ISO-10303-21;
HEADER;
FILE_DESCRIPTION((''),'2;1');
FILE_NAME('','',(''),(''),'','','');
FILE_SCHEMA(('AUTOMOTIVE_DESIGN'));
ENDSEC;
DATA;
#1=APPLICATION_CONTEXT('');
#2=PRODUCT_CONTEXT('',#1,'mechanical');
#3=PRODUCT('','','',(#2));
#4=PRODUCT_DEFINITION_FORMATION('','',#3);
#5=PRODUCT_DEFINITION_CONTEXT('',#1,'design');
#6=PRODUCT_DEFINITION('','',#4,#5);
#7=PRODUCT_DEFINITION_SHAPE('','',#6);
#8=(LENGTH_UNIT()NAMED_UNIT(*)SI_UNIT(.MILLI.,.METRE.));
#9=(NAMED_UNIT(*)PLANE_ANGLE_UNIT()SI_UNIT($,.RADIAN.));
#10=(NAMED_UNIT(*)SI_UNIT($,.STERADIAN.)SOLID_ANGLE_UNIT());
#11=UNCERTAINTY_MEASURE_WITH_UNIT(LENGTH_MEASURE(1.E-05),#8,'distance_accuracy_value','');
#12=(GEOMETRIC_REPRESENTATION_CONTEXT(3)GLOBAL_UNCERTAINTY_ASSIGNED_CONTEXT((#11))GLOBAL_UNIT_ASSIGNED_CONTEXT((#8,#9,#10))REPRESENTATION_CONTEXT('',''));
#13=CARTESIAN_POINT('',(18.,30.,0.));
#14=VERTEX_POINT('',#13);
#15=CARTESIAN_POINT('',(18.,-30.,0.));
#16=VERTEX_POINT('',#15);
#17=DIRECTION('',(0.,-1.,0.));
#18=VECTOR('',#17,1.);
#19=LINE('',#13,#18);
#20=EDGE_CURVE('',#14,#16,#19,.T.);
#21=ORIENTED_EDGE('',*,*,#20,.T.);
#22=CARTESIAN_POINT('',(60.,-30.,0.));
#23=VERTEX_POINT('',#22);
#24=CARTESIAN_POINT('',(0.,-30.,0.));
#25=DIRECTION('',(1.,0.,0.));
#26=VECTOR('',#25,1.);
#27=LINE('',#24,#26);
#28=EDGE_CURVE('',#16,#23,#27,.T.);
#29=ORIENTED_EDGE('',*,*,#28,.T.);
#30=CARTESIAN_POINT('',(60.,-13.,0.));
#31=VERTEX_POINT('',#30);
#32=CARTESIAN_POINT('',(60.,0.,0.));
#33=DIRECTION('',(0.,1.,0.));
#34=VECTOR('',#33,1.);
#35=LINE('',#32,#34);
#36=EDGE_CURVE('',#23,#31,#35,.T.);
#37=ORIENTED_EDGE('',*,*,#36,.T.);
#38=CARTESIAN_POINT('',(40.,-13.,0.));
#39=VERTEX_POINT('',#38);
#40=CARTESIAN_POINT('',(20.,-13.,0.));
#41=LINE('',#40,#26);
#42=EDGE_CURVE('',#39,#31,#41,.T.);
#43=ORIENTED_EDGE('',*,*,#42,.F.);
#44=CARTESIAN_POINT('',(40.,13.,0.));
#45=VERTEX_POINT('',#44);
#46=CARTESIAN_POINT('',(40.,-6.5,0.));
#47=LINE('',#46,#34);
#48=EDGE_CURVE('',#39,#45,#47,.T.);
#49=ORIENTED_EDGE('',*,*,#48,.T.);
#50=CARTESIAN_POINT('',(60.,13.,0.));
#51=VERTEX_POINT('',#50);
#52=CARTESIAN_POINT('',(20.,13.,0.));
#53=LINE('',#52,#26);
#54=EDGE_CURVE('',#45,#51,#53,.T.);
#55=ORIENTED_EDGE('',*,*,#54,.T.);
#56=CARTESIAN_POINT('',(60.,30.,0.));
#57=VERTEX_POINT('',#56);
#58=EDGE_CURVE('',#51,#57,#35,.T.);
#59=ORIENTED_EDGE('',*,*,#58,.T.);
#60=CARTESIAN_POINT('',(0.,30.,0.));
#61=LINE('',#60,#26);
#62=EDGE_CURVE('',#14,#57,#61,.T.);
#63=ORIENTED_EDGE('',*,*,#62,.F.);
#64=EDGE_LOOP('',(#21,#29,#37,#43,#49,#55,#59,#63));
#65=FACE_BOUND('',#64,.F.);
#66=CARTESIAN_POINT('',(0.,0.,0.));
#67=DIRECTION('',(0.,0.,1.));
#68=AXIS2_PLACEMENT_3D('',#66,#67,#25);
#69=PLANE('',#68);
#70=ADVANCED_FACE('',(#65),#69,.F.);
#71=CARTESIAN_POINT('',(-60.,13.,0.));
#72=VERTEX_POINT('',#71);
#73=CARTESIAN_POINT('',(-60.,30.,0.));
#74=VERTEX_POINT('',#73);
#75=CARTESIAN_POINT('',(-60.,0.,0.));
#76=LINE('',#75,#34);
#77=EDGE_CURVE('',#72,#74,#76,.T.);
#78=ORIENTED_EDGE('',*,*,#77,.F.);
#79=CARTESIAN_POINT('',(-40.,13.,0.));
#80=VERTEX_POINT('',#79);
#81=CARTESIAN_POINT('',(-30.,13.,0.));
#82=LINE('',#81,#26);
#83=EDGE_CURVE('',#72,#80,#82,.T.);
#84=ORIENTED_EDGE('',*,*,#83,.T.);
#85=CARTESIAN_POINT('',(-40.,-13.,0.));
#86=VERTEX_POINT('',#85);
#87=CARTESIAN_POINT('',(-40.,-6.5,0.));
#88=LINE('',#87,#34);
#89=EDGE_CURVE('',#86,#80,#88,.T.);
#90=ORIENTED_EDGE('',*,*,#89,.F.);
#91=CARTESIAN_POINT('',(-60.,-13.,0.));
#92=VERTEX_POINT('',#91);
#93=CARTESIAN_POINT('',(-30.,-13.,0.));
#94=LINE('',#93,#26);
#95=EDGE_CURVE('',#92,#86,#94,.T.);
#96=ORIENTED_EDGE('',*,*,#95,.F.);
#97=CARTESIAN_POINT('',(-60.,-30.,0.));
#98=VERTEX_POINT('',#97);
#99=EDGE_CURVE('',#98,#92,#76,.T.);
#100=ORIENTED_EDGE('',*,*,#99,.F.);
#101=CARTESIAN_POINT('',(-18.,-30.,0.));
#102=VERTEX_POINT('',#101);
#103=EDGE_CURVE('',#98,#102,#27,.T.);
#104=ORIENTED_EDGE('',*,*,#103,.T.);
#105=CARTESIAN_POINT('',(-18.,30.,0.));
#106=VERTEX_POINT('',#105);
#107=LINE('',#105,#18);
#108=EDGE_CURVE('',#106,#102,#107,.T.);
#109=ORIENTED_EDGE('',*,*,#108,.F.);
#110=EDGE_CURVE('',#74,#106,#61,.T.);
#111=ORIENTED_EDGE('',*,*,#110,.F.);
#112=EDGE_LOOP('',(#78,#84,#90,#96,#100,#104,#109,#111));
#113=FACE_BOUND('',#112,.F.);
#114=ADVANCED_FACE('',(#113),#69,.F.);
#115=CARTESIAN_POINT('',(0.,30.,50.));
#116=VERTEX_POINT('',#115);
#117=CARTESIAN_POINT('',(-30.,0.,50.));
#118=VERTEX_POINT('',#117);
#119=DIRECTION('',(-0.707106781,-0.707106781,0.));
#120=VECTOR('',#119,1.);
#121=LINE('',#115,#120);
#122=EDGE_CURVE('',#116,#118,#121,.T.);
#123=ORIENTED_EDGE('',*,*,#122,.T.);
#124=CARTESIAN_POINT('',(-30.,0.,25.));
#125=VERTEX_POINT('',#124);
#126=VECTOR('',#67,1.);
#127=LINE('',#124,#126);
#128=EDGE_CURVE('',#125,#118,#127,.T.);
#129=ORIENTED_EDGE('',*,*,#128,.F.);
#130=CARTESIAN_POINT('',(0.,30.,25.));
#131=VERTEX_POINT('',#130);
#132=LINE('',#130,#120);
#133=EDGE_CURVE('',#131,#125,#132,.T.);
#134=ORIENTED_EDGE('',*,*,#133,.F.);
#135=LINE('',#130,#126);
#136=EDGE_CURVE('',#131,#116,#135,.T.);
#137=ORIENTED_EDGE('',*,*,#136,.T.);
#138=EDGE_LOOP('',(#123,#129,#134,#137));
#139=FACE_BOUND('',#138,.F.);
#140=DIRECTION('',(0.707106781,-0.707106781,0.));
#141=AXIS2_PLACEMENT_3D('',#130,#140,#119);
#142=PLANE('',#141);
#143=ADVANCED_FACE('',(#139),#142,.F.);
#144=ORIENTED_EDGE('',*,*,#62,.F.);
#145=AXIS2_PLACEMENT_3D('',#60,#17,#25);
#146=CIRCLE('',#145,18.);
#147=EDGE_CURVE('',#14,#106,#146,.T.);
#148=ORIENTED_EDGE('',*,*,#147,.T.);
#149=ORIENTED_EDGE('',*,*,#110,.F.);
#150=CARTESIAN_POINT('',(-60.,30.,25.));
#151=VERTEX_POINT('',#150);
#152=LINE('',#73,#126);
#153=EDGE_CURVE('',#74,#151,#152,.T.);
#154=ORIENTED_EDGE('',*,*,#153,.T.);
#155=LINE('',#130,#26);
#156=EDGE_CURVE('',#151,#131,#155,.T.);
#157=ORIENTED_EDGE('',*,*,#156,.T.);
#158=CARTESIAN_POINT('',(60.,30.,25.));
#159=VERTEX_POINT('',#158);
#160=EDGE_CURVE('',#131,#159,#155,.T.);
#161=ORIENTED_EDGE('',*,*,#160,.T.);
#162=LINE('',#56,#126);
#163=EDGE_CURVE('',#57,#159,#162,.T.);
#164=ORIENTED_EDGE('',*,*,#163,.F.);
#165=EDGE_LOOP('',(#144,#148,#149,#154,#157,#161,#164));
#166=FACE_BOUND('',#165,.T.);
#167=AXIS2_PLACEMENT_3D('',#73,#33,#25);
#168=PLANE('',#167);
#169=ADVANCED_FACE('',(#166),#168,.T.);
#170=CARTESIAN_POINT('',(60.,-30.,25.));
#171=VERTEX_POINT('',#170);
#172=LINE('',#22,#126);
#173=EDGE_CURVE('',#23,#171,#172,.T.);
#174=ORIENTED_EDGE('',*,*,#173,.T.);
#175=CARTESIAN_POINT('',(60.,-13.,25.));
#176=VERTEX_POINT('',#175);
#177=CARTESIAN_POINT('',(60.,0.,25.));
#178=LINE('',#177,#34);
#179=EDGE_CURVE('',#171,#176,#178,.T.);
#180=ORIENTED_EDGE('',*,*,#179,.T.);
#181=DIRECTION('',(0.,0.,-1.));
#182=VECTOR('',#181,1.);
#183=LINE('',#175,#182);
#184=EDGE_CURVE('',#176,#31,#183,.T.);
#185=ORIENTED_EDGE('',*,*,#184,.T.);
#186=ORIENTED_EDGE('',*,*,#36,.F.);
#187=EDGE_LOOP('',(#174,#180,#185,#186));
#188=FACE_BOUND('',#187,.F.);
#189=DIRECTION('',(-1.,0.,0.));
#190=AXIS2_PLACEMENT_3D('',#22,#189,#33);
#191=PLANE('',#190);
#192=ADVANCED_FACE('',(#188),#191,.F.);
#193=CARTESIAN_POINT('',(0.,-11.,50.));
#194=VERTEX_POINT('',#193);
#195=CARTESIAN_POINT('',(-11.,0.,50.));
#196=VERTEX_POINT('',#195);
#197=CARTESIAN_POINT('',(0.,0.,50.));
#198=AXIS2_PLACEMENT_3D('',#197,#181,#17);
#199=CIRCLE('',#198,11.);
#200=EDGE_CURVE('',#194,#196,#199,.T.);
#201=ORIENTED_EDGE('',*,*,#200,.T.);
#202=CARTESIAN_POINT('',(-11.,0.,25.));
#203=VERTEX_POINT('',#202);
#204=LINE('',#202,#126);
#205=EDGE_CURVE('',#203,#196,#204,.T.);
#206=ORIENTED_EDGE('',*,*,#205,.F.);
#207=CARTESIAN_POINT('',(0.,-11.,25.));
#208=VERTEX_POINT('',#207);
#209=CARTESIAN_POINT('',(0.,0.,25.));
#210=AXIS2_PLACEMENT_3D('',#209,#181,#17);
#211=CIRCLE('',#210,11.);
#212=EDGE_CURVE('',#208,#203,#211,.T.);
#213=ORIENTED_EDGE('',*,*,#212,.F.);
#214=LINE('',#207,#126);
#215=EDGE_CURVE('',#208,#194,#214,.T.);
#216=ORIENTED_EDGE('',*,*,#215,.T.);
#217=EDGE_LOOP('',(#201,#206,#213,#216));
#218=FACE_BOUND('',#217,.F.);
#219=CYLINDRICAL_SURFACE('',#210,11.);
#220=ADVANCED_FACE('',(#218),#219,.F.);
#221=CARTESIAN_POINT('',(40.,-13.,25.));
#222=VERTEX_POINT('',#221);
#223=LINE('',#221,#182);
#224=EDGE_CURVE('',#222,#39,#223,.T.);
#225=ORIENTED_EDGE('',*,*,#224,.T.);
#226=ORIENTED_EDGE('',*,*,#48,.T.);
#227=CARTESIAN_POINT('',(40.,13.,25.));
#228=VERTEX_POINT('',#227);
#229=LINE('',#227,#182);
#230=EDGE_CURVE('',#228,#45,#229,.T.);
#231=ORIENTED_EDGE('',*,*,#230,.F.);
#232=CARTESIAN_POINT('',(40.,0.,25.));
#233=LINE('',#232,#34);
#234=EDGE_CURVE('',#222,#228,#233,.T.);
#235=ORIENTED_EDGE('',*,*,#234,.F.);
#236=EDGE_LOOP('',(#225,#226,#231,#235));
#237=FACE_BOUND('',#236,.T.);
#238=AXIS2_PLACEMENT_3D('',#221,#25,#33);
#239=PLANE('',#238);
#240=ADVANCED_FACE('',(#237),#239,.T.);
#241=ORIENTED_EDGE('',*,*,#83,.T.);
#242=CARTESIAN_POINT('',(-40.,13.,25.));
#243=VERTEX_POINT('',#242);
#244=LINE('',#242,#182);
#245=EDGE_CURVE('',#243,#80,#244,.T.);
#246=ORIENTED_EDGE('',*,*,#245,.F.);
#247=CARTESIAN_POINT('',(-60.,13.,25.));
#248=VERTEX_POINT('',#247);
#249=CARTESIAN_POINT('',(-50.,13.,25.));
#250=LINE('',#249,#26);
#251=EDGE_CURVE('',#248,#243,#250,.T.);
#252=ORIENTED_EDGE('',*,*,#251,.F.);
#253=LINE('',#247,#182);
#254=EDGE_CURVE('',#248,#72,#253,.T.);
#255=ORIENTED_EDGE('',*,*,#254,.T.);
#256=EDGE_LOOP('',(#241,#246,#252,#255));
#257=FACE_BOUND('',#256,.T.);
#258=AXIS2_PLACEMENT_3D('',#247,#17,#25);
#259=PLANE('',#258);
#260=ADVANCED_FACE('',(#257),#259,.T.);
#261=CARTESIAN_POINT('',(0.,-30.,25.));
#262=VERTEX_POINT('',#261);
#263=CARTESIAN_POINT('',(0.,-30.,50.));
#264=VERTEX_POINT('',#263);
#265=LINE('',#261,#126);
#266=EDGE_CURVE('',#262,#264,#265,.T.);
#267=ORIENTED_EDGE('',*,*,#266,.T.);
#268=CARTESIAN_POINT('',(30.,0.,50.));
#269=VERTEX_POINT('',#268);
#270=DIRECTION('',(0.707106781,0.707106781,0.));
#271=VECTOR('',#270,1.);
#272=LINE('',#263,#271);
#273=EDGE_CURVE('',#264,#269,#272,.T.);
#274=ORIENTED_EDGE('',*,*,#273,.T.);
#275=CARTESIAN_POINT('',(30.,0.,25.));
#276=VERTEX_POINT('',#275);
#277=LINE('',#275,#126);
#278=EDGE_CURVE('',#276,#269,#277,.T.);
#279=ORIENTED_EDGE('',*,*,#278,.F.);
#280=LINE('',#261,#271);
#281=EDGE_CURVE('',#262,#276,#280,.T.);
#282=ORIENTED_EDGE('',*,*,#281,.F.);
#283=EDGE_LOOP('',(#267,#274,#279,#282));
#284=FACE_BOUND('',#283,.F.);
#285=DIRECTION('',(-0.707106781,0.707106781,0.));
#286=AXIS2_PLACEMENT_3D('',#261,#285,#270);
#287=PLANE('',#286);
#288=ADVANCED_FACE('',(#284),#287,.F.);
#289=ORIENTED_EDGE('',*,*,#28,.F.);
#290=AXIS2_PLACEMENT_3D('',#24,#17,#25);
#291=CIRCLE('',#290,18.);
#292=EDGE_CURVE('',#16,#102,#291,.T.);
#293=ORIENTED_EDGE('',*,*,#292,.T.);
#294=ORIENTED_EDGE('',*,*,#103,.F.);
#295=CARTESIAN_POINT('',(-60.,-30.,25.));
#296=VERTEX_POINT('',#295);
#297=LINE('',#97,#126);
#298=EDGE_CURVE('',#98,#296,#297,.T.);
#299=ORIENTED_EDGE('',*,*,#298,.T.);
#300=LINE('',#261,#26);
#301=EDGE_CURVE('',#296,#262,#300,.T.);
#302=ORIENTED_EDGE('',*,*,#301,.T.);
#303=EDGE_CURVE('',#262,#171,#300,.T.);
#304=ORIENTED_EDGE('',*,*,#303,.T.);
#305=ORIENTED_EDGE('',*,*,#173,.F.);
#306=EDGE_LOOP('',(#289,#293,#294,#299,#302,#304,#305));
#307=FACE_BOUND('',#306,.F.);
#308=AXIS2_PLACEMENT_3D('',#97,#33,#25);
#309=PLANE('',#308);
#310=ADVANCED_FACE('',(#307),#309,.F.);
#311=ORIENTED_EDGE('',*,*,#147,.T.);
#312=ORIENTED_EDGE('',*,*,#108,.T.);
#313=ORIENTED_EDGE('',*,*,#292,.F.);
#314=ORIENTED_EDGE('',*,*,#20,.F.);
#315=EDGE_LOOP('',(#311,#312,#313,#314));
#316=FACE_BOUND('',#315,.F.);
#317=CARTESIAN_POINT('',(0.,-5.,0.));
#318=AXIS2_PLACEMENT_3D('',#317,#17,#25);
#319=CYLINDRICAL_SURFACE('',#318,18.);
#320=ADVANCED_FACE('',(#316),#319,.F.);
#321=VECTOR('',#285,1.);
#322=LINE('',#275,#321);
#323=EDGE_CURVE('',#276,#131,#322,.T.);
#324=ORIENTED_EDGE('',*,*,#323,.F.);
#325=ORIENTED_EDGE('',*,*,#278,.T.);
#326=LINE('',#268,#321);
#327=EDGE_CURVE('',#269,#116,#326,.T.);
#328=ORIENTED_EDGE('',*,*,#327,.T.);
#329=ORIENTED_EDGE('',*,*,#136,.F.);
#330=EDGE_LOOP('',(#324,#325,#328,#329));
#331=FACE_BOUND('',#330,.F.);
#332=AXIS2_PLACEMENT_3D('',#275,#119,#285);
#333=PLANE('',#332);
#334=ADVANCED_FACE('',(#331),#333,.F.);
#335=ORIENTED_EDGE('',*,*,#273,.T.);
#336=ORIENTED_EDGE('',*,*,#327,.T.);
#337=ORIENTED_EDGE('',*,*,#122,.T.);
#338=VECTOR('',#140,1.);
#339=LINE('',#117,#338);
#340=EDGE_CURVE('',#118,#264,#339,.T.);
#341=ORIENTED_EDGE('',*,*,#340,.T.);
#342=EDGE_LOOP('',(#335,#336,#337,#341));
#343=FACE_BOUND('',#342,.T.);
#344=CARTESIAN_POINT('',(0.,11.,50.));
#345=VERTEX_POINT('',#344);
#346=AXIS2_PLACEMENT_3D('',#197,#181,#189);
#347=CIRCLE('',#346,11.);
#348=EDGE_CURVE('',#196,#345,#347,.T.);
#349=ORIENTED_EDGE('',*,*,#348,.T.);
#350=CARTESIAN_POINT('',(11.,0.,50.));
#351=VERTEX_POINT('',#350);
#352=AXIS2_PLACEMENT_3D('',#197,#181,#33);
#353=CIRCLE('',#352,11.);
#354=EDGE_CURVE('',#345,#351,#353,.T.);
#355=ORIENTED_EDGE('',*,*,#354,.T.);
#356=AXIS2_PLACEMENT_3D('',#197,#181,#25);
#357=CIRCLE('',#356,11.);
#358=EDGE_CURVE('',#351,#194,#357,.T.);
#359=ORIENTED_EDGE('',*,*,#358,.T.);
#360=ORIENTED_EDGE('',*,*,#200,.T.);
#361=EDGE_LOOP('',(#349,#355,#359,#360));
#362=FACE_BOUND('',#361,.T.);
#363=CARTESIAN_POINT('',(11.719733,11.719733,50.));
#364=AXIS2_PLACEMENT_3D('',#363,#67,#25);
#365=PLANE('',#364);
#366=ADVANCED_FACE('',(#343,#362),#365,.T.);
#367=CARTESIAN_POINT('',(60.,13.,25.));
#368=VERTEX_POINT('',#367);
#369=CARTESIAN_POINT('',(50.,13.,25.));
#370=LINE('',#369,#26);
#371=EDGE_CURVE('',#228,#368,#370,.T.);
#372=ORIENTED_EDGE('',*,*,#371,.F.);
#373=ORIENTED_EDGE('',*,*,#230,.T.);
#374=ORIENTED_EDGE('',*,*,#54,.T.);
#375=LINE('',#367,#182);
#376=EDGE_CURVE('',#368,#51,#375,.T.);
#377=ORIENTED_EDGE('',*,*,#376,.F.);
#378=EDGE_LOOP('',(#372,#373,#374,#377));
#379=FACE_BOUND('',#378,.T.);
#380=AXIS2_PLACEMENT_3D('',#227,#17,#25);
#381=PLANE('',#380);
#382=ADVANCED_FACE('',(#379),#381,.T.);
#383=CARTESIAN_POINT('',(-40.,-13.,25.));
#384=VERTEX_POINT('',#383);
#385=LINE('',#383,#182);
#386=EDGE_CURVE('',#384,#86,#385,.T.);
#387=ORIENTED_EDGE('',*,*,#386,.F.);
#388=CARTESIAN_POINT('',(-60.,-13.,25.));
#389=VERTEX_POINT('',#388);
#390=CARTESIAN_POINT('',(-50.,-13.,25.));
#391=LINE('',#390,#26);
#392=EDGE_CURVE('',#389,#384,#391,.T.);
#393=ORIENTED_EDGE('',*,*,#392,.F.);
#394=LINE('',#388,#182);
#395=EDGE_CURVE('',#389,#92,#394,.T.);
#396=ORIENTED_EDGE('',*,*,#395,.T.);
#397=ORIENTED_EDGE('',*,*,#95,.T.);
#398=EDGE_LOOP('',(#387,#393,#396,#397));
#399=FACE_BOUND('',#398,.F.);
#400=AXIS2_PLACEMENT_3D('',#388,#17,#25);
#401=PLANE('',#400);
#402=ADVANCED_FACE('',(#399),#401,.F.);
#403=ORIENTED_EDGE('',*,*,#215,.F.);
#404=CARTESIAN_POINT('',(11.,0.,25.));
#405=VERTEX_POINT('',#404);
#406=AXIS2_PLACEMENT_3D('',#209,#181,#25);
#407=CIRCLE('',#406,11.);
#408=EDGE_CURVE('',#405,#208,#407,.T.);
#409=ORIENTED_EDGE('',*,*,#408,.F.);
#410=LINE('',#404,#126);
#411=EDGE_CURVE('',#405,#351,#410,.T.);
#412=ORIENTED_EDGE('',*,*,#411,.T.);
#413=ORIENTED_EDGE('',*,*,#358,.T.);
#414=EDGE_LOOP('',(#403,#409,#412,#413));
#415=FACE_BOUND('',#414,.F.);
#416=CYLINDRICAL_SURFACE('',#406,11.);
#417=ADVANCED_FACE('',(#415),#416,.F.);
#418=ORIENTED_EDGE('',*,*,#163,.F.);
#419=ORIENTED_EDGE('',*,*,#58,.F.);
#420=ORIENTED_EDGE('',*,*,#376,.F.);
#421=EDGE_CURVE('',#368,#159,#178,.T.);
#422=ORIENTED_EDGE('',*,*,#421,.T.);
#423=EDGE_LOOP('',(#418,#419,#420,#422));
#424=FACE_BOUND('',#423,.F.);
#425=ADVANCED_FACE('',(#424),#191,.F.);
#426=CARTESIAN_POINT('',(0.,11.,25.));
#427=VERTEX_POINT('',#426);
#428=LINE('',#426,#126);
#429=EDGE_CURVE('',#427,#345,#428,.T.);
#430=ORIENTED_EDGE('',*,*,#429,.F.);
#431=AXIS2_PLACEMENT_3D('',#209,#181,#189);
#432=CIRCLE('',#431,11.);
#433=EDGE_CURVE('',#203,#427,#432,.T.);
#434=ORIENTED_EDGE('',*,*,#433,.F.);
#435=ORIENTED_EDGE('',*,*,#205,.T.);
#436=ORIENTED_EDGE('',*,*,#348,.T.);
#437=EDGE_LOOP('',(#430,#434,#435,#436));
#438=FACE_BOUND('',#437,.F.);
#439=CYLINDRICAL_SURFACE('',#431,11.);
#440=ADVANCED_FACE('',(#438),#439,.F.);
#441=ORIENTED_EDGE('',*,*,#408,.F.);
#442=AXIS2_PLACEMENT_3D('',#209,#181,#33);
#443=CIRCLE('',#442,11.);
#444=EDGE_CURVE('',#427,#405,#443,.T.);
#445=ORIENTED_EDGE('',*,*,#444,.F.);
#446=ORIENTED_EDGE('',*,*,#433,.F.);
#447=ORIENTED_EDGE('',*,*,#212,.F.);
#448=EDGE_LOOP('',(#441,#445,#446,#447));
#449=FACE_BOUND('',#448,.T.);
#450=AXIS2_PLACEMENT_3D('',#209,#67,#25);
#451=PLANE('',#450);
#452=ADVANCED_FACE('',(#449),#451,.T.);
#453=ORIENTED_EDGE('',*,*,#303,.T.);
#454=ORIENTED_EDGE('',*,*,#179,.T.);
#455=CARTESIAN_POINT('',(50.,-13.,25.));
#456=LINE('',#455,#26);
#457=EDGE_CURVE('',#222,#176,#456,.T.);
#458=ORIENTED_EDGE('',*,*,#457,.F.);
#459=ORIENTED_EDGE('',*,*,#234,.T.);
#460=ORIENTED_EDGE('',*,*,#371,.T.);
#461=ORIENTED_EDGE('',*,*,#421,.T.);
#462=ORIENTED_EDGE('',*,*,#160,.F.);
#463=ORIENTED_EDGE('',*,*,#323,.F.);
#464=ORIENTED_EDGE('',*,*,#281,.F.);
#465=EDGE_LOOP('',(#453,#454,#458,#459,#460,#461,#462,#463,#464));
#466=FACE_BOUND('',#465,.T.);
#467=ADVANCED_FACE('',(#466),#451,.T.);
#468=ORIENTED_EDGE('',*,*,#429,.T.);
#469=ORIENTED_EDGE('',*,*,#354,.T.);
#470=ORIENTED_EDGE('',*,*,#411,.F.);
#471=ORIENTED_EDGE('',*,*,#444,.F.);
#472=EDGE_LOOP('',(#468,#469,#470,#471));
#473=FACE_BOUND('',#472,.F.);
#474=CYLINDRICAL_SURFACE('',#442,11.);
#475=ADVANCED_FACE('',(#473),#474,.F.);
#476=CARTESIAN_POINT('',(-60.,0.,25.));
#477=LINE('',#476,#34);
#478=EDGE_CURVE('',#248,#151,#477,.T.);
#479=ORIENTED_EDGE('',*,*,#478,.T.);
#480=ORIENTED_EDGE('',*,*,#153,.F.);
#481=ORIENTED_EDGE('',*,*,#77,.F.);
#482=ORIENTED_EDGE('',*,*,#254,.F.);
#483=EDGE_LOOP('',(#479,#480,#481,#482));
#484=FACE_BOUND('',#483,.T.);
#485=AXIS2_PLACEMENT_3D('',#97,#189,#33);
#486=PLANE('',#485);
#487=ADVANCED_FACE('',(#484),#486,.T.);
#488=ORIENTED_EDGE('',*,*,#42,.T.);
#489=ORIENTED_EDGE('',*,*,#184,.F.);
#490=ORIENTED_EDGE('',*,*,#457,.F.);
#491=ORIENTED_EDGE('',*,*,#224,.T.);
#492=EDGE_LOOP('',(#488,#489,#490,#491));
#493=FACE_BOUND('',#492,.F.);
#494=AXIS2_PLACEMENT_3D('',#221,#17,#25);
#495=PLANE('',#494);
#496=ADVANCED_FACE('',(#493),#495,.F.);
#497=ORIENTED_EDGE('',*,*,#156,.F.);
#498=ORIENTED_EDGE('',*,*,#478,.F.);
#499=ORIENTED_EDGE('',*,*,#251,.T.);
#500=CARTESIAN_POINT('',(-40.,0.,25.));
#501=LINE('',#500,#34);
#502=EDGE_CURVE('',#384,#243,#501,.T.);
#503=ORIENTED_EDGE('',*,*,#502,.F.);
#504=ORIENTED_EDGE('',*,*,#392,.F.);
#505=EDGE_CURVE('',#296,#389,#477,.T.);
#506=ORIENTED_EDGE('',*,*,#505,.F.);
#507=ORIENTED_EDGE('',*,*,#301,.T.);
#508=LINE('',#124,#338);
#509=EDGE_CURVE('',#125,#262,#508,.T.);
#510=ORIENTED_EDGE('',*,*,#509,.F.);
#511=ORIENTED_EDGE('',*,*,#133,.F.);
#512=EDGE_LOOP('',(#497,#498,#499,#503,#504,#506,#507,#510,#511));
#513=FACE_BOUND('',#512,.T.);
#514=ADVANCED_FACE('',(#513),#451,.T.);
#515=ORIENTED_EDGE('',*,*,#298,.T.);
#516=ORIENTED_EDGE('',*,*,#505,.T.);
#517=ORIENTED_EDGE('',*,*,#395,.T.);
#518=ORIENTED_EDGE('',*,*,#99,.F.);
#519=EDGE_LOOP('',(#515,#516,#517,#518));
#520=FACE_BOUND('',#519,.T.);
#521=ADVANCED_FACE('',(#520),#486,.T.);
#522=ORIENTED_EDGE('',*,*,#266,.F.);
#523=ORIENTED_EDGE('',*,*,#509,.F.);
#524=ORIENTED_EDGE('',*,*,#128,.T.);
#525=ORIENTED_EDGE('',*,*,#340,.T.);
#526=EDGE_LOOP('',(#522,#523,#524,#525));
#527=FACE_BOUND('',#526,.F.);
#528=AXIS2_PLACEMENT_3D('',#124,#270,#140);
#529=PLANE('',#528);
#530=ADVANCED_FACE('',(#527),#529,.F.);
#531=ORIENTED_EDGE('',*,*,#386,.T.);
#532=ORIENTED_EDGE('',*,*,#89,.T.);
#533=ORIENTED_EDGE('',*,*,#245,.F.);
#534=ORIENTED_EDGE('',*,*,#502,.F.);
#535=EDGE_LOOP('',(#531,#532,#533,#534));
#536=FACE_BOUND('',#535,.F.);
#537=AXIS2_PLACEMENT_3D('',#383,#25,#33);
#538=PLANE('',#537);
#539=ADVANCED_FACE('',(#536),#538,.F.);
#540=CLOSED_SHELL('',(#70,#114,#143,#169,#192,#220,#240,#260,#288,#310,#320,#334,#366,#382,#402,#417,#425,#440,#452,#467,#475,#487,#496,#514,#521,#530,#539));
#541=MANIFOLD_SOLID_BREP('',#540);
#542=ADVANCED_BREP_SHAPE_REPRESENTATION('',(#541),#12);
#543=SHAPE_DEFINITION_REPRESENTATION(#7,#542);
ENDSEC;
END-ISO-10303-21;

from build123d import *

# Parameters (mm, degrees)
F0_W      = 120
F0_H      = 60
F1_DEPTH  = 25
F2_W      = 20
F2_H      = 26
F3_DEPTH  = 25.001
F4_W      = 20
F4_H      = 26
F5_DEPTH  = 25.001
F7_DEPTH  = 25
F8_DEPTH  = 35.001
F10_DEPTH = 25


with BuildPart() as f1:
    # F0 (on Top) → F1 (new body)
    with BuildSketch(Plane.XY):
        Rectangle(F0_W, F0_H)
    extrude(amount=F1_DEPTH)

    # F2 (on face) → F3 (cut, through all)
    with BuildSketch(Plane.XY.offset(25)):
        with Locations((50, 0)):
            Rectangle(F2_W, F2_H)
    extrude(amount=-F3_DEPTH, mode=Mode.SUBTRACT)

    # F4 (on face) → F5 (cut, through all)
    with BuildSketch(Plane.XY.offset(25)):
        with Locations((-50, 0)):
            Rectangle(F4_W, F4_H)
    extrude(amount=-F5_DEPTH, mode=Mode.SUBTRACT)

    # F6 (on face) → F7 (cut)
    with BuildSketch(Plane.XZ.offset(30)):
        with BuildLine():
            Line((-18, 0), (18, 0))
            ThreePointArc((18, 0), (0, 18), (-18, 0))
        make_face()
    extrude(amount=-F7_DEPTH, mode=Mode.SUBTRACT)

    # F8 (cut, through all): a face of the model
    f8_faces = [f1.faces().sort_by_distance(p)[0] for p in [
        (0, -5, 7.6394372684),
    ]]
    extrude(f8_faces, amount=-F8_DEPTH, mode=Mode.SUBTRACT)

    # F9 (on face) → F10 (join)
    with BuildSketch(Plane.XY.offset(25)):
        with BuildLine():
            ThreePointArc((0, 11), (7.7781745931, 7.7781745931), (11, 0))
            Line((11, 0), (30, 0))
            Line((30, 0), (0, 30))
            Line((0, 30), (0, 11))
        make_face()
        with BuildLine():
            ThreePointArc((-11, 0), (-7.7781745931, 7.7781745931), (0, 11))
            Line((0, 11), (0, 30))
            Line((0, 30), (-30, 0))
            Line((-30, 0), (-11, 0))
        make_face()
        with BuildLine():
            Line((0, -30), (0, -11))
            ThreePointArc((0, -11), (-7.7781745931, -7.7781745931), (-11, 0))
            Line((-11, 0), (-30, 0))
            Line((-30, 0), (0, -30))
        make_face()
        with BuildLine():
            Line((30, 0), (11, 0))
            ThreePointArc((11, 0), (7.7781745931, -7.7781745931), (0, -11))
            Line((0, -11), (0, -30))
            Line((0, -30), (30, 0))
        make_face()
    extrude(amount=F10_DEPTH)


solid = f1.part
